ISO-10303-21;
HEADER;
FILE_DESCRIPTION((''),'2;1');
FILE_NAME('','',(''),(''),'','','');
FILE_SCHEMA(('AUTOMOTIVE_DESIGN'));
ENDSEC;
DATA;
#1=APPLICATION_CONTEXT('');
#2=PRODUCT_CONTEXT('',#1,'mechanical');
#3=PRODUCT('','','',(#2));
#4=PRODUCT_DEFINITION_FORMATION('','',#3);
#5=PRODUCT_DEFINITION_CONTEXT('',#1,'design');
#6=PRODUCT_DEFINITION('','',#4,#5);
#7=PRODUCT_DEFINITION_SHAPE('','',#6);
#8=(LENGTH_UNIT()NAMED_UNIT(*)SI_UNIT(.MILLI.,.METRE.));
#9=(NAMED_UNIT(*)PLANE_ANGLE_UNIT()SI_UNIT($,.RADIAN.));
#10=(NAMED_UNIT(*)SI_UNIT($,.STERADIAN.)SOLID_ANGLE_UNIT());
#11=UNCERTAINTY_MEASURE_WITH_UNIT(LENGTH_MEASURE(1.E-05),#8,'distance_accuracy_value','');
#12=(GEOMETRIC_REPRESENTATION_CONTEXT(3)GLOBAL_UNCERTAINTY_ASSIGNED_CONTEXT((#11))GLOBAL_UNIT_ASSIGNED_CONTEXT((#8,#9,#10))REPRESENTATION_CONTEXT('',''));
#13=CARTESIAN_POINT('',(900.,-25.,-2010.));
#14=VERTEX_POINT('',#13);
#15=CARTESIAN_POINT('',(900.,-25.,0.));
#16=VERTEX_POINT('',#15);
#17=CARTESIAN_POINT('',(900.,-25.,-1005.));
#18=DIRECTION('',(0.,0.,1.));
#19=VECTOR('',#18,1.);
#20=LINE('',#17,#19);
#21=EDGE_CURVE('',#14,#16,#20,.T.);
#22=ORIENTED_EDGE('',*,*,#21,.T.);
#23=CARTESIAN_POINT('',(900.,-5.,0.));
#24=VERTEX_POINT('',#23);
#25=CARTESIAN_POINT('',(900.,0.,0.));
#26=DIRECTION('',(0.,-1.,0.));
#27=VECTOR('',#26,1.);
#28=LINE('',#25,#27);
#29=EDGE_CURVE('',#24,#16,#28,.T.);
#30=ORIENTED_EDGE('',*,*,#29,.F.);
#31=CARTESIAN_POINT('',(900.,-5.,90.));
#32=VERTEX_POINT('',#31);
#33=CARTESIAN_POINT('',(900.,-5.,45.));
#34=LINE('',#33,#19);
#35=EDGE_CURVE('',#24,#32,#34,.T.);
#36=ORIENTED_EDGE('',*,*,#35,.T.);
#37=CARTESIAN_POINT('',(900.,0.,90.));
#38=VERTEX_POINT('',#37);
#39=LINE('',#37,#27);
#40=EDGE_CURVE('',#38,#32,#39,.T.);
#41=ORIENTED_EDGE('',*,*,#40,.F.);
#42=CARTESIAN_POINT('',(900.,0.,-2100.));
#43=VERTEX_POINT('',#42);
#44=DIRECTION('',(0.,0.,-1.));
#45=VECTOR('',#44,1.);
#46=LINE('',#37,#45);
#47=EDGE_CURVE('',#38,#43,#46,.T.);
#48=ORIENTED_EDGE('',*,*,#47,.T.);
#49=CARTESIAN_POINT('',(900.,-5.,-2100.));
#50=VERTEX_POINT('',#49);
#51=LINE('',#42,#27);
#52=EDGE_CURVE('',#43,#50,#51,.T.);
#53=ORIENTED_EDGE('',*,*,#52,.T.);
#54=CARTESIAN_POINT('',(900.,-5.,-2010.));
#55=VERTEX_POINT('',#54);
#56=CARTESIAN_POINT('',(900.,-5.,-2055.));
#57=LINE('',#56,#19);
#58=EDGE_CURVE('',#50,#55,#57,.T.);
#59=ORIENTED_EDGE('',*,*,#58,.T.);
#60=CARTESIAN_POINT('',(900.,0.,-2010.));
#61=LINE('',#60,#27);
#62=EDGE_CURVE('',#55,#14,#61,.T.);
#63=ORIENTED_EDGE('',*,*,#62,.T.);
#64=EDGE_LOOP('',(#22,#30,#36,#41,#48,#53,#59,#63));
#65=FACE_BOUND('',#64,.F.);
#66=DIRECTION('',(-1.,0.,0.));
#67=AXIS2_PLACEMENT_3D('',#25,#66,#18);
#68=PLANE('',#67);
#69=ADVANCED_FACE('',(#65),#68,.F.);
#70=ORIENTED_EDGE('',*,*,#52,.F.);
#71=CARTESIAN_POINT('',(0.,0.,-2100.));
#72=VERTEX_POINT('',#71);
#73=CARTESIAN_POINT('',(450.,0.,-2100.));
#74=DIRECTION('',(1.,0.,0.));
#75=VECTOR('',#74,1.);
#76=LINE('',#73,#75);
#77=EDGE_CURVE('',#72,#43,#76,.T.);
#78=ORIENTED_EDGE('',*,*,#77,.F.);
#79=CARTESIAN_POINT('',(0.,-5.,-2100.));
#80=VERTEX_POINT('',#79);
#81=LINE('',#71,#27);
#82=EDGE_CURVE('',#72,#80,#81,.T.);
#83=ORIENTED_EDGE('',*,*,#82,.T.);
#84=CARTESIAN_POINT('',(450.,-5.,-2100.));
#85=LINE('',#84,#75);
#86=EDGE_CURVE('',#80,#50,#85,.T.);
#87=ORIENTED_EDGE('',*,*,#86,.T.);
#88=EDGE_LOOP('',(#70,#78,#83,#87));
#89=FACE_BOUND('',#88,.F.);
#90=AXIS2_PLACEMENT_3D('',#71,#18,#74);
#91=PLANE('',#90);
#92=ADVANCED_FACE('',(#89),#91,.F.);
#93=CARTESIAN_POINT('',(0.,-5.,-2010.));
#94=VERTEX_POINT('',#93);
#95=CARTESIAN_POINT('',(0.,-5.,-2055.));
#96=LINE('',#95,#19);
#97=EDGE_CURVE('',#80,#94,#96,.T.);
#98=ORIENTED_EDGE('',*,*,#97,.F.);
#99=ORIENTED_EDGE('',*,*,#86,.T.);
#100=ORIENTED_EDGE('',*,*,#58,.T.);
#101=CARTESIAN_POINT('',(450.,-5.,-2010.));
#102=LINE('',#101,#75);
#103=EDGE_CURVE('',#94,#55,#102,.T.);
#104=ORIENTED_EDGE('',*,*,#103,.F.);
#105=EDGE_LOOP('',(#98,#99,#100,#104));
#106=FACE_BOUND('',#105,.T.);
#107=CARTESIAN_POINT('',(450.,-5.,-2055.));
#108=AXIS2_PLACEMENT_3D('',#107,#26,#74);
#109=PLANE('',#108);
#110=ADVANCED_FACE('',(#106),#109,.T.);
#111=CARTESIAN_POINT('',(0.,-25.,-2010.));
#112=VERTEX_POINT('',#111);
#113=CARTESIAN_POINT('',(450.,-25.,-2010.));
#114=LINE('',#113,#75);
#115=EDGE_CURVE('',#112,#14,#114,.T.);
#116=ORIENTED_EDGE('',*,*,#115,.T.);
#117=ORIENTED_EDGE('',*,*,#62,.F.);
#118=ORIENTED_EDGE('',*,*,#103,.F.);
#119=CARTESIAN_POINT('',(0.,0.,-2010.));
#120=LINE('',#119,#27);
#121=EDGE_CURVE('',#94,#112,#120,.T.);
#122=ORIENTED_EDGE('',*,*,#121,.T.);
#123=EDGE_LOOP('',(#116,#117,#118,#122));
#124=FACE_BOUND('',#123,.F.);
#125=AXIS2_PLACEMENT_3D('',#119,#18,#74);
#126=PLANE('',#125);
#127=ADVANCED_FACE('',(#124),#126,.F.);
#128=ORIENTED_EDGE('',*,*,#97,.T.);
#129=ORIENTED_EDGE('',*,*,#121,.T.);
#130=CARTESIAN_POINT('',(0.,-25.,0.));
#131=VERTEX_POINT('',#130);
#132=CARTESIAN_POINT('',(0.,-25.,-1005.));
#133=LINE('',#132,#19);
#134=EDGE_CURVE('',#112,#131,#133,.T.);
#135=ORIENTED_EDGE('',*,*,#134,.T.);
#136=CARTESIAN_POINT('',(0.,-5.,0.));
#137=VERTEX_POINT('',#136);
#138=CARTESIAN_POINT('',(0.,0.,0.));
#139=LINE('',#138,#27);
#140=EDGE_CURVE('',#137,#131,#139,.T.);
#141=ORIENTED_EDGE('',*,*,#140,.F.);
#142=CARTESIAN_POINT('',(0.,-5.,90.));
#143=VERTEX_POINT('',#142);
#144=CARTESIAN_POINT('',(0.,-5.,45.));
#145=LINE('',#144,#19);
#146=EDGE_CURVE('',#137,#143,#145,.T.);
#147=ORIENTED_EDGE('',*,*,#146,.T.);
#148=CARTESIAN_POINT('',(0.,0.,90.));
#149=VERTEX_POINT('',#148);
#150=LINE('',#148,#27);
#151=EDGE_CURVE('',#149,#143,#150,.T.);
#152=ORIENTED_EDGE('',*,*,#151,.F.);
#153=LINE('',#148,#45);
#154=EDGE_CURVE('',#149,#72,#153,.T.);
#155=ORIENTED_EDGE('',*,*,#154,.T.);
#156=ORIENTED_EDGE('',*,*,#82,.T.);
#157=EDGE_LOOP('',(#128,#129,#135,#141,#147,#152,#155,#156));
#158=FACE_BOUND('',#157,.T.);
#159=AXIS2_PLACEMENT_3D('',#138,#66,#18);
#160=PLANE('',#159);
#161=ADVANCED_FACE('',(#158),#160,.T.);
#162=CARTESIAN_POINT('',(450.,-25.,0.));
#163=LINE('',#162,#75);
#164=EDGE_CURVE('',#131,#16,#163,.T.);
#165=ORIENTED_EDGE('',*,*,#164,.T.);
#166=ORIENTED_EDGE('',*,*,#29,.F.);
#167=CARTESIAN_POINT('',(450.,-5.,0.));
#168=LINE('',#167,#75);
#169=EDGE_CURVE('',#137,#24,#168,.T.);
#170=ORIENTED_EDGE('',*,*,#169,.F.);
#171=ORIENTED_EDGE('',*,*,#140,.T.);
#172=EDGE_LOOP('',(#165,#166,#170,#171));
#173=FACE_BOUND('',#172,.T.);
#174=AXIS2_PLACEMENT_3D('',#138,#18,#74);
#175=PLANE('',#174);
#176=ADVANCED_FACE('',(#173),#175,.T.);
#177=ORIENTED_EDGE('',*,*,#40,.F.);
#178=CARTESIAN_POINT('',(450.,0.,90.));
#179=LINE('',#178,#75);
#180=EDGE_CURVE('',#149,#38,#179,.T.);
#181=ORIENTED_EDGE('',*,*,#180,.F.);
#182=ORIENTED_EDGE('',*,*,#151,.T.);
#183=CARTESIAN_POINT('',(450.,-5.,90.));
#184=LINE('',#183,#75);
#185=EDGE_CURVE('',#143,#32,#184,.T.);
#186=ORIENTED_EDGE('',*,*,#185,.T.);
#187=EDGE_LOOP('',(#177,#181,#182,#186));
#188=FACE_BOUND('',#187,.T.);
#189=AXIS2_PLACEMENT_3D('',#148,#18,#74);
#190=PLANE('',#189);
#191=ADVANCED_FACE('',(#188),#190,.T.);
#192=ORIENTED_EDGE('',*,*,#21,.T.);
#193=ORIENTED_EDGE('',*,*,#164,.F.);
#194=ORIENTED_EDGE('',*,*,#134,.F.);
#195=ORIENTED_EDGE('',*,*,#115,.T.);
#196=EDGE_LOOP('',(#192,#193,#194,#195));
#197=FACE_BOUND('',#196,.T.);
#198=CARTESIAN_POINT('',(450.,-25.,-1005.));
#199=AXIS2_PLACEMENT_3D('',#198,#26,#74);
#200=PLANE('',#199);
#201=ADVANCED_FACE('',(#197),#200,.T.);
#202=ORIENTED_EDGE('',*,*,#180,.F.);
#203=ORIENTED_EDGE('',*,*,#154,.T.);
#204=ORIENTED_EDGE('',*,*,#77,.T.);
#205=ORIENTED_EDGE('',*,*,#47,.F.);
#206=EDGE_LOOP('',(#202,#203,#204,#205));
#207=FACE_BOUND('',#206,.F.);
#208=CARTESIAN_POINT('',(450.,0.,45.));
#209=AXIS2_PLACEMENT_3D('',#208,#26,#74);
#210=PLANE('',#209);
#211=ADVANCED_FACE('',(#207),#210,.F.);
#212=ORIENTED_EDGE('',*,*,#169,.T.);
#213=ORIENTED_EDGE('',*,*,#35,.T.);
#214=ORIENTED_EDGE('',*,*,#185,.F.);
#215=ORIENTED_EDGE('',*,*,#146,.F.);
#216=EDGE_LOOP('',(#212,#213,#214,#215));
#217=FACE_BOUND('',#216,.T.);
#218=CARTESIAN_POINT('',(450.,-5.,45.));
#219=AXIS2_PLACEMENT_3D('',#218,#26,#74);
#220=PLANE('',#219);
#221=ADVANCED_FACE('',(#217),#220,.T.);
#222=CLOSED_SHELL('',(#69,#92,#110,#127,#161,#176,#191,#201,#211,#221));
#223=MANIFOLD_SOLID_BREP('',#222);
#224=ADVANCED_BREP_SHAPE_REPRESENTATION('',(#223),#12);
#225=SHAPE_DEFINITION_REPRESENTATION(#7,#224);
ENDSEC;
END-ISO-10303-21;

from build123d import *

# Parameters (mm, degrees)
F0_W     = 900
F0_H     = 2010
F1_DEPTH = 25
F0_H_2   = 90
F2_DEPTH = 5


with BuildPart() as f1:
    # F0 (on Front) → F1 (new body)
    with BuildSketch(Plane.XZ):
        with Locations((450, -1005)):
            Rectangle(F0_W, F0_H)
    extrude(amount=F1_DEPTH)

    # F0 (on Front) → F2 (join)
    with BuildSketch(Plane.XZ):
        with Locations((450, 45)):
            Rectangle(F0_W, F0_H_2)
        with Locations((450, -2055)):
            Rectangle(F0_W, F0_H_2)
    extrude(amount=F2_DEPTH)


solid = f1.part
